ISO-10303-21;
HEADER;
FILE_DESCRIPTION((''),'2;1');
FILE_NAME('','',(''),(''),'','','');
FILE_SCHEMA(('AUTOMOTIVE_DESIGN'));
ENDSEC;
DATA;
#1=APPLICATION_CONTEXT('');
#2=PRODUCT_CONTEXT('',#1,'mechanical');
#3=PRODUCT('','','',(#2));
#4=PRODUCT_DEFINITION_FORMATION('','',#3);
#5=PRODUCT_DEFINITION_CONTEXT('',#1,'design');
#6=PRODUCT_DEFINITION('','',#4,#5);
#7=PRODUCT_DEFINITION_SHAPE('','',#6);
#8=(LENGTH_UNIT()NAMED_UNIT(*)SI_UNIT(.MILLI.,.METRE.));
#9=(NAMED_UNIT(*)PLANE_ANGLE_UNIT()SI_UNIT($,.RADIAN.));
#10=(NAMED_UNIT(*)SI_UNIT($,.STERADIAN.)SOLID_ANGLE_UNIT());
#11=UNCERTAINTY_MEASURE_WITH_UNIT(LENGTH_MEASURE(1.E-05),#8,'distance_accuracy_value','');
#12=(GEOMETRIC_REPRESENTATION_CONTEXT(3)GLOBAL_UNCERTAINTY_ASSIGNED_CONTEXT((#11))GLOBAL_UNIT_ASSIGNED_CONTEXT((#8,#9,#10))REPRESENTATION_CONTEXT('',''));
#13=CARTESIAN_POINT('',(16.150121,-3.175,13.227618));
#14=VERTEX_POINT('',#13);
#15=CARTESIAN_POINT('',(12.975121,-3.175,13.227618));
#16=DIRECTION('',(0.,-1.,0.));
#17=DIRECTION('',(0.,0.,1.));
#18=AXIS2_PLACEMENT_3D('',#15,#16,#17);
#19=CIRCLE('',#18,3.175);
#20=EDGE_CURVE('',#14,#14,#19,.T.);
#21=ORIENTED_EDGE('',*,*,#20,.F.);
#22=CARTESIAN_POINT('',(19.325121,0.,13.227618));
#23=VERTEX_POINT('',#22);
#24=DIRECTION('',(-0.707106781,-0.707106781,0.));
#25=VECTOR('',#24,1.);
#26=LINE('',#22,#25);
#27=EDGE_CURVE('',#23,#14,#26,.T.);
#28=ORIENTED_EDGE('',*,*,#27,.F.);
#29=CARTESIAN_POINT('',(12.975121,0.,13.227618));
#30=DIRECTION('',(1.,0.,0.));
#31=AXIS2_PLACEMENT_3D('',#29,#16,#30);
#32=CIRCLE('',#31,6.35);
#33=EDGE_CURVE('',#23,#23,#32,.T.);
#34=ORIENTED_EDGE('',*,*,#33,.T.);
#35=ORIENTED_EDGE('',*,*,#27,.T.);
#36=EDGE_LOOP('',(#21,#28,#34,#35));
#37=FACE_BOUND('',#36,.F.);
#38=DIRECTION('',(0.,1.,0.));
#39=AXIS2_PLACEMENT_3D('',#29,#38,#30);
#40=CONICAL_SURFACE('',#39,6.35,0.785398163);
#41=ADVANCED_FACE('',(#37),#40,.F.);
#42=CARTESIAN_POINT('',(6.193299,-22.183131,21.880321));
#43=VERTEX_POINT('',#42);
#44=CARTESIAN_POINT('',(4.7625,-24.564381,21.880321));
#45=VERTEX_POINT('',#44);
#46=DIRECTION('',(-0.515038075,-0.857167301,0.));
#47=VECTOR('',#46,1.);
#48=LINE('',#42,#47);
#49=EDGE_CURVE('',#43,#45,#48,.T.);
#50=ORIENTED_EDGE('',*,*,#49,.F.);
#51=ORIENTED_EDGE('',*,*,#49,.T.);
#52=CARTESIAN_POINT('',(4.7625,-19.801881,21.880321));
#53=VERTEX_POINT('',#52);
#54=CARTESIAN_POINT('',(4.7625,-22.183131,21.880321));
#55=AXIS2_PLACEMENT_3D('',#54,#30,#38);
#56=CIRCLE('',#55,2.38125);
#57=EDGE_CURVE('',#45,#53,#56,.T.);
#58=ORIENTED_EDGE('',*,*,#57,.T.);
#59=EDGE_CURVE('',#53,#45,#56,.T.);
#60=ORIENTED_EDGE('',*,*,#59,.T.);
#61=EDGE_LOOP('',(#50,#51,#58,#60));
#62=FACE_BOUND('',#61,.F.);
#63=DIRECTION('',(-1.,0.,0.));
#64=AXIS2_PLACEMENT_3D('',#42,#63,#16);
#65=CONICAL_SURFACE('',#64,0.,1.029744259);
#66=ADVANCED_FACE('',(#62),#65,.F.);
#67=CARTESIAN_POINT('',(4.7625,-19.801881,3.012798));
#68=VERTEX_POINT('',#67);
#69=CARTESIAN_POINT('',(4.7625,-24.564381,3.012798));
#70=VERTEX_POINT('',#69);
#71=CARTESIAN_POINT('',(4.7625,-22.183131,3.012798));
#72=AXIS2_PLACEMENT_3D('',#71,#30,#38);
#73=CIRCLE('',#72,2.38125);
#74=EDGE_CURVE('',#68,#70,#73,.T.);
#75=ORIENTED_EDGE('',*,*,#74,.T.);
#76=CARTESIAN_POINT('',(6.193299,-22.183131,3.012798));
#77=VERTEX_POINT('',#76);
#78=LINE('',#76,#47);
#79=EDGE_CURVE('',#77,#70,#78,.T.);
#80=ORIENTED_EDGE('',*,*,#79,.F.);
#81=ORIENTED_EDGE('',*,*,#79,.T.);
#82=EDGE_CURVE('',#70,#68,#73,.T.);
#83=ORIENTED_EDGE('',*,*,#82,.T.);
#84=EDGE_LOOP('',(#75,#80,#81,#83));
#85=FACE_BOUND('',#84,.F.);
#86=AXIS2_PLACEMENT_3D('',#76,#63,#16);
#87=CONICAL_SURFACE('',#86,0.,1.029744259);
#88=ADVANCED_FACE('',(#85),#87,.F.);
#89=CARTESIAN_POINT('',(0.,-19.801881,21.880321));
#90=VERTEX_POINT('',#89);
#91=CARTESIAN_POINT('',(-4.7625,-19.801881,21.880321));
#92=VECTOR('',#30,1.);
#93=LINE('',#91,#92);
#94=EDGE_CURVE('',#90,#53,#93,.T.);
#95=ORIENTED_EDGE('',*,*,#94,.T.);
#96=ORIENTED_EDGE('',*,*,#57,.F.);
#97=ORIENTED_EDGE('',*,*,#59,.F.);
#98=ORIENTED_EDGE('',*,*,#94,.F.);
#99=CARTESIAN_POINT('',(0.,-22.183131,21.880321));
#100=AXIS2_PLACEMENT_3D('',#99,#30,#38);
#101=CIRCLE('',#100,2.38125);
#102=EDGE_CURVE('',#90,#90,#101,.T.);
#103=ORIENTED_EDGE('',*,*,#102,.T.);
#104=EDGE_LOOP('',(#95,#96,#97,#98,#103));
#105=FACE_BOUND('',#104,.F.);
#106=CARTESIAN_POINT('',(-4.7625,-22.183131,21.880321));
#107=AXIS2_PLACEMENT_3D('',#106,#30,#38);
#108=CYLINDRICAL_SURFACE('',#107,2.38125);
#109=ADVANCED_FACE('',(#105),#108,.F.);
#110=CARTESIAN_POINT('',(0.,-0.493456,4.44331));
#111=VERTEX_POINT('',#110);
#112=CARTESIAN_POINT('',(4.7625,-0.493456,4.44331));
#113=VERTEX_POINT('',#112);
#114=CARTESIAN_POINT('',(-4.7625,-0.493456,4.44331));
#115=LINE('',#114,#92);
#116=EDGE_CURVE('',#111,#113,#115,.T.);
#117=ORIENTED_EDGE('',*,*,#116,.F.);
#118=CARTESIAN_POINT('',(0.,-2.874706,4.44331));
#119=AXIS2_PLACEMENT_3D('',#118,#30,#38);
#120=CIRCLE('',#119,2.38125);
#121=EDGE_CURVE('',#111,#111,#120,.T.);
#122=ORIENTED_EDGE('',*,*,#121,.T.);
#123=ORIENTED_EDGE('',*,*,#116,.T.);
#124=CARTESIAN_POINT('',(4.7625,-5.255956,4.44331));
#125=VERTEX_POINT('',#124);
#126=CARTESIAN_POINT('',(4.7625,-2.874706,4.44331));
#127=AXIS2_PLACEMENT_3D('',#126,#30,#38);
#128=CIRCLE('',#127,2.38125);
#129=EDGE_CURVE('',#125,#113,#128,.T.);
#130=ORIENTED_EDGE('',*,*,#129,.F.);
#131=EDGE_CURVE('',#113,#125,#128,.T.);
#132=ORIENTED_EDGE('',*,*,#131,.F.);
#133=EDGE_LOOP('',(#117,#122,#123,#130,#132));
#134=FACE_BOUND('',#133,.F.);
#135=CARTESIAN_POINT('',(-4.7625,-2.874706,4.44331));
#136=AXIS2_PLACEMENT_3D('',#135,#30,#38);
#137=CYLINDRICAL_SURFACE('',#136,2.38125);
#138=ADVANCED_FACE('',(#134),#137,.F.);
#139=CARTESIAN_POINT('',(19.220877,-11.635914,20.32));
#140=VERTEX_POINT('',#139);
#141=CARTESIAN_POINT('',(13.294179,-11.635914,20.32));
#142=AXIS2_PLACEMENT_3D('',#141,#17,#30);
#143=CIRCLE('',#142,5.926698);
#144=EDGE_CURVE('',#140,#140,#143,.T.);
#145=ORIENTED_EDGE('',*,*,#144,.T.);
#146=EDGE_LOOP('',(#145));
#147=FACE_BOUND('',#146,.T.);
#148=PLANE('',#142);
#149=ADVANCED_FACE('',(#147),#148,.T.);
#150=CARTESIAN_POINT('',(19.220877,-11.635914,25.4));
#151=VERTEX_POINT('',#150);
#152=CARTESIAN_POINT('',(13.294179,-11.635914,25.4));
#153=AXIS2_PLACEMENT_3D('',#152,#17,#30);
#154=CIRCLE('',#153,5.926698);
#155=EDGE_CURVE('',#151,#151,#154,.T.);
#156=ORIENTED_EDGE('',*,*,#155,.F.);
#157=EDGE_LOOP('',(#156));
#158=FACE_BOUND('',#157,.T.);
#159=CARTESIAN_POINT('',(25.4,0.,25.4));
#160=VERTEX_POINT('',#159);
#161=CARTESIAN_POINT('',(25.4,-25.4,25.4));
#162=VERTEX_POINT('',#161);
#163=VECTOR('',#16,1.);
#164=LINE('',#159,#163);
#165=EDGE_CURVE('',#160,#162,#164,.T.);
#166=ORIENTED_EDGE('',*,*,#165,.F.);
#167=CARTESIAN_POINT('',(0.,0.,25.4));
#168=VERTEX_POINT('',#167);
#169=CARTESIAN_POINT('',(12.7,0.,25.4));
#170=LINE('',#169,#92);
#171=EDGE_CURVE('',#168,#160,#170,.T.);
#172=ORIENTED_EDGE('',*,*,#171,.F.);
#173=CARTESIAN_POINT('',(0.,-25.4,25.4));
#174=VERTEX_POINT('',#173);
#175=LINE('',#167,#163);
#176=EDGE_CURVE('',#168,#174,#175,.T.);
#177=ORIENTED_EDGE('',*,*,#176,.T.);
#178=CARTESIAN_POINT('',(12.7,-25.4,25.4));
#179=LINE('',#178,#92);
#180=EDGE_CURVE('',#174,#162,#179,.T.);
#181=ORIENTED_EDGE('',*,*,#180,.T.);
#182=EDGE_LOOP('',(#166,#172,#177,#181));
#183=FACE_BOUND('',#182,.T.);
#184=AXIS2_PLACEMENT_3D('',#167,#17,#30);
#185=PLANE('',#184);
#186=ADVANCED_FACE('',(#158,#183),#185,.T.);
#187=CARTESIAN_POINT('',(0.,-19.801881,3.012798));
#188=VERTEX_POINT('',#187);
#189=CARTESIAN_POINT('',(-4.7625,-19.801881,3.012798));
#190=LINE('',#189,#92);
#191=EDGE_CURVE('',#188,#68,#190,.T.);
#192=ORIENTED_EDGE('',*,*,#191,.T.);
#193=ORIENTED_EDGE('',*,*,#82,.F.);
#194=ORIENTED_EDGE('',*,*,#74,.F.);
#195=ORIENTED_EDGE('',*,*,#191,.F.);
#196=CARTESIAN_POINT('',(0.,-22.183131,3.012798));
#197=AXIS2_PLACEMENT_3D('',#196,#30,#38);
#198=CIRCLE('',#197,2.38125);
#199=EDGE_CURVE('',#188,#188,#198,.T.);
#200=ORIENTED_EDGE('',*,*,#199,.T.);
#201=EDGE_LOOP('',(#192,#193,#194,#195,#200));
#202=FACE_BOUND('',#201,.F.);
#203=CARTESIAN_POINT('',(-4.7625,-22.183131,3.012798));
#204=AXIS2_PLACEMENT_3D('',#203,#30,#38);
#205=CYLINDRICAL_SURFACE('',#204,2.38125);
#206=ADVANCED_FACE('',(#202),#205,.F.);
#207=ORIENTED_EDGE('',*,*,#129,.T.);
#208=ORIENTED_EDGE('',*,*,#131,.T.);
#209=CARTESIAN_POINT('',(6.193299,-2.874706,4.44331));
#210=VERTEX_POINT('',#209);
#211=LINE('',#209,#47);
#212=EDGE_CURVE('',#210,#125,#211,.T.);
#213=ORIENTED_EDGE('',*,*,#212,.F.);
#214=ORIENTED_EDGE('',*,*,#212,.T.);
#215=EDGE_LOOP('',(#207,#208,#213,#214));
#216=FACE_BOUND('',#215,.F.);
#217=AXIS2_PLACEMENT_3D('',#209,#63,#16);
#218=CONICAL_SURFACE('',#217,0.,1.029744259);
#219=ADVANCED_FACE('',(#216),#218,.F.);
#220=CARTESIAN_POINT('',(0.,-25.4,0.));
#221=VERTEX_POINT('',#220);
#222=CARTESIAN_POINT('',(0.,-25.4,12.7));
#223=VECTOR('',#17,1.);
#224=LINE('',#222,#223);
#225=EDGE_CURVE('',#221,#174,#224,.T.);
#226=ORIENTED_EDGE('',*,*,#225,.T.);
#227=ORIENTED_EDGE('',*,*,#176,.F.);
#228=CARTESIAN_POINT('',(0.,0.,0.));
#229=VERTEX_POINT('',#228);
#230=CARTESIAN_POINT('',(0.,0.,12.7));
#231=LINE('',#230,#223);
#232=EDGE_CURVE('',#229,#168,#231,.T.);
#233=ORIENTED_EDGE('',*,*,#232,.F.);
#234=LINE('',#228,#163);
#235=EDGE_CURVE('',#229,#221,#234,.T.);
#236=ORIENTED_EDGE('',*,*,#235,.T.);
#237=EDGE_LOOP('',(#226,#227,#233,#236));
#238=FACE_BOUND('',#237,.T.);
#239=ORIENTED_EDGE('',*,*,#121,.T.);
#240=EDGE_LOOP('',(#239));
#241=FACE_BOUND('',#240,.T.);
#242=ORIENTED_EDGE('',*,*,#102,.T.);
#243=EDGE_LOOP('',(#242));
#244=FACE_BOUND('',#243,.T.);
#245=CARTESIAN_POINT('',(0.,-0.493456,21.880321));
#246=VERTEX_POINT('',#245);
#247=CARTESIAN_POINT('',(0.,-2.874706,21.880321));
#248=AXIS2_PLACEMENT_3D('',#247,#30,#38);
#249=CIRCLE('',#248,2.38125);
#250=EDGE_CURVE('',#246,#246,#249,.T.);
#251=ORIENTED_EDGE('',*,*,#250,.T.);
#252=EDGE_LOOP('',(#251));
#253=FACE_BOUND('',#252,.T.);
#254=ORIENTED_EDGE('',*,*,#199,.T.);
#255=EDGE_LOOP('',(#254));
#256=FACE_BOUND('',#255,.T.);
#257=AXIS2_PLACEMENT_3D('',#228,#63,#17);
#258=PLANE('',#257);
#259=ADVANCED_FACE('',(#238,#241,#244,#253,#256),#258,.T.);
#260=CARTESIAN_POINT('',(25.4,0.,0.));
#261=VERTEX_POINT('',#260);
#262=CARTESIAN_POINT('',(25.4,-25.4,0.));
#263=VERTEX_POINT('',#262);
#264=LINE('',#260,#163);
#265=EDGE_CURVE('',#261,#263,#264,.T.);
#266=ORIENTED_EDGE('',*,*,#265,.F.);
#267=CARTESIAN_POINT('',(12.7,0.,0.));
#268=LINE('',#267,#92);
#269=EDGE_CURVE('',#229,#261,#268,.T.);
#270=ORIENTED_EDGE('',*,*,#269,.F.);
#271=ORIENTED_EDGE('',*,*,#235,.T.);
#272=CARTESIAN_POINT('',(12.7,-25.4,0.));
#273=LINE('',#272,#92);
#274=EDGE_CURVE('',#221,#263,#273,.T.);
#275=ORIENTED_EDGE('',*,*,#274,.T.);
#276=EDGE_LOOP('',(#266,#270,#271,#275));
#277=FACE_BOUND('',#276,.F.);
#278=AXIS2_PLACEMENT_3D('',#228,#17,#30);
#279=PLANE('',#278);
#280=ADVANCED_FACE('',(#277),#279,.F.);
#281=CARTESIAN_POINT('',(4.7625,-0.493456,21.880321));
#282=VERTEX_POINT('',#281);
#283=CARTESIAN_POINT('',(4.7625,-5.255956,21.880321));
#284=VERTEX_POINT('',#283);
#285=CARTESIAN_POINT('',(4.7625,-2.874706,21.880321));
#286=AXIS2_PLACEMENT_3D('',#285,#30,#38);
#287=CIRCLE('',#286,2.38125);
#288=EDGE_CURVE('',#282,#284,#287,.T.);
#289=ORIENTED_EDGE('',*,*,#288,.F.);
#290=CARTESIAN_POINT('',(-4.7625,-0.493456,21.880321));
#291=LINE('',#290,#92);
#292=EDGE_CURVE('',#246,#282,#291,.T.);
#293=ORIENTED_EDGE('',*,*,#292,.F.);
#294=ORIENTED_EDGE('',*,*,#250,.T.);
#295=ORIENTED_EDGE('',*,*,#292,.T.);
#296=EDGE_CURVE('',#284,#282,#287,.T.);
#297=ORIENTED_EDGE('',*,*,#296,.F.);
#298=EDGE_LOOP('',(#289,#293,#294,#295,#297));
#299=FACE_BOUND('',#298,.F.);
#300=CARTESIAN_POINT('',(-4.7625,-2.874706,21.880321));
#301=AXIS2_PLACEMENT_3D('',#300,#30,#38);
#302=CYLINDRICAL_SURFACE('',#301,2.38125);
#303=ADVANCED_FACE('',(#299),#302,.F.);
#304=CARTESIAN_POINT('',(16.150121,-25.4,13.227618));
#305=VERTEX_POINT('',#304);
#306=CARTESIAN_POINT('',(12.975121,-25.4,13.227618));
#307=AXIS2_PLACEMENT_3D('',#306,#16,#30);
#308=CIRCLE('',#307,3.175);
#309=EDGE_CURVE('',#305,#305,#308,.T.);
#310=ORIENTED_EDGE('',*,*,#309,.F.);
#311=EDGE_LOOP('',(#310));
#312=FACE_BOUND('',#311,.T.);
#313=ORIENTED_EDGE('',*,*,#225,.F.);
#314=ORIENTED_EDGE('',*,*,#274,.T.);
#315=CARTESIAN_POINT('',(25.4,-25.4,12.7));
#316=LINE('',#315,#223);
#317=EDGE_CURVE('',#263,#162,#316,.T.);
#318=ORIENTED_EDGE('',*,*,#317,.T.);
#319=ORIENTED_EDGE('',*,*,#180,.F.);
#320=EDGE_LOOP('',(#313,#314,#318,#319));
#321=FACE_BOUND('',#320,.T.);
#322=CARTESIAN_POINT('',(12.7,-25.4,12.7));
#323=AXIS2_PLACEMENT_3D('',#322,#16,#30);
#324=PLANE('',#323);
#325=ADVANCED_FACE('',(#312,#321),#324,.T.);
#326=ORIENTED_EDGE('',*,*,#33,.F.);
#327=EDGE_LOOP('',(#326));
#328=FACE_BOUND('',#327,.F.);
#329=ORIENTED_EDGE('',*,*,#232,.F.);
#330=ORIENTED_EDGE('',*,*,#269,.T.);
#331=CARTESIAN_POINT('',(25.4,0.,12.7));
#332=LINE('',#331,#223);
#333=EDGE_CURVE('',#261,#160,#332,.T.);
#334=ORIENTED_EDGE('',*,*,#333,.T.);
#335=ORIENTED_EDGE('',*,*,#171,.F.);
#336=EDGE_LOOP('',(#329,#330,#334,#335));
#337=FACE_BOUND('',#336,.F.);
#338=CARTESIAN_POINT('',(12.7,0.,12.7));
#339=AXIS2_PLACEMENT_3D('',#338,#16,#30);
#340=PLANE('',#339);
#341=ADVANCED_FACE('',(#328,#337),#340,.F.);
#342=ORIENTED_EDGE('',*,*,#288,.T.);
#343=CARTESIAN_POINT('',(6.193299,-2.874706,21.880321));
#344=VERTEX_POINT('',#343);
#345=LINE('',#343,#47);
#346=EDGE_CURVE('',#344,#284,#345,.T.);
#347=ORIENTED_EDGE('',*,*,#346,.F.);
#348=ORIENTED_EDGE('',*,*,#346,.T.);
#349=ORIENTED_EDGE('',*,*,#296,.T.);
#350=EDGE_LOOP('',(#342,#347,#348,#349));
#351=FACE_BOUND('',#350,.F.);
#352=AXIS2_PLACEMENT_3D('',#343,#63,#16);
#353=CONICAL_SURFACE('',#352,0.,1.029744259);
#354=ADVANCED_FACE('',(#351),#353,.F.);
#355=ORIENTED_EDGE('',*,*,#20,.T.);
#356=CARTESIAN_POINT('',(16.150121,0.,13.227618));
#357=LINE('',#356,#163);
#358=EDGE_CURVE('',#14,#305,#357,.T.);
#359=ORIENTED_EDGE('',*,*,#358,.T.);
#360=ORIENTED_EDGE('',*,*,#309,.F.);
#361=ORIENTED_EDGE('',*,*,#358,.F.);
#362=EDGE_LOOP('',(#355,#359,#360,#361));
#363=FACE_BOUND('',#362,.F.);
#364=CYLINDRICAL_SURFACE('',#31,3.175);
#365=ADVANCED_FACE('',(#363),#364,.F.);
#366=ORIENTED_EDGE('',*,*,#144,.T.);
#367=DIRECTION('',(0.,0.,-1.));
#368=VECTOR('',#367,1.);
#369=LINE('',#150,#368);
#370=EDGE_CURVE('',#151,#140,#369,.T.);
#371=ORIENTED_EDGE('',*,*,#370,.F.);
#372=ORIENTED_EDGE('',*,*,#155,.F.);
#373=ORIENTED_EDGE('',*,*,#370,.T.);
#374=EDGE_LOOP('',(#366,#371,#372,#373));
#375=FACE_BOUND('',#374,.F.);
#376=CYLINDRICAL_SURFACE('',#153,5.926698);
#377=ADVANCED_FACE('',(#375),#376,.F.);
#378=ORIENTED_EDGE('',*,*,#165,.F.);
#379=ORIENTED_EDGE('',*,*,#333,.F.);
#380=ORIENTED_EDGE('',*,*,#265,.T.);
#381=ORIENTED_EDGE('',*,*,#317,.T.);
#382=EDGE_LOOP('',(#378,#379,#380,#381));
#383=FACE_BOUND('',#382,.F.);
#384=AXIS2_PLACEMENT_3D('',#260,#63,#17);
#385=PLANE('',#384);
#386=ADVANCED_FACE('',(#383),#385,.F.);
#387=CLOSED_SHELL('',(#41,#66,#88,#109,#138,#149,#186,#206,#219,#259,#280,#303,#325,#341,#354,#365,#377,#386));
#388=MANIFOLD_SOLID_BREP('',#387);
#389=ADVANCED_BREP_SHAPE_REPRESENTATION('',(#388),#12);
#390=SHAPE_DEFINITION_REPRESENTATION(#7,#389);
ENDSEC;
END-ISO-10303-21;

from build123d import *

# Parameters (mm, degrees)
F0_W           = 25.4
F0_H           = 25.4
F1_DEPTH       = 25.4
F3_D           = 4.7625
F3_DEPTH       = 4.7625
F3_TIP         = 1.4307993491
F4_R           = 5.9266984463
F8_DEPTH       = 5.08
F6_D           = 6.35
F6_CSINK_D     = 12.7
F6_CSINK_ANGLE = 90


with BuildPart() as f1:
    # F0 (on Front) → F1 (new body)
    with BuildSketch(Plane.XZ):
        with Locations((12.7, 12.7)):
            Rectangle(F0_W, F0_H)
    extrude(amount=F1_DEPTH)

    # F3
    with Locations(Plane(origin=(0, 0, 0), x_dir=(0, -1, 0), z_dir=(-1, 0, 0))):
        with Locations((2.8747059405, 21.8803212047), (22.1831314266, 21.8803212047), (22.1831314266, 3.0127977952), (2.8747059405, 4.4433097355)):
            Hole(F3_D / 2, depth=F3_DEPTH)
            with Locations((0, 0, -(F3_DEPTH + F3_TIP / 2))):  # 118° drill point
                Cone(0, F3_D / 2, F3_TIP, mode=Mode.SUBTRACT)

    # F4 (on face) → F8 (cut)
    with BuildSketch(Plane.XY.offset(25.4)):
        with Locations((13.2941789925, -11.6359144449)):
            Circle(F4_R)
    extrude(amount=-F8_DEPTH, mode=Mode.SUBTRACT)

    # F6 (through all)
    with Locations(Plane(origin=(0, 0, 0), x_dir=(-1, 0, 0), z_dir=(0, 1, 0))):
        with Locations((-12.975120917, 13.2276182994)):
            CounterSinkHole(F6_D / 2, F6_CSINK_D / 2, counter_sink_angle=F6_CSINK_ANGLE)


solid = f1.part
